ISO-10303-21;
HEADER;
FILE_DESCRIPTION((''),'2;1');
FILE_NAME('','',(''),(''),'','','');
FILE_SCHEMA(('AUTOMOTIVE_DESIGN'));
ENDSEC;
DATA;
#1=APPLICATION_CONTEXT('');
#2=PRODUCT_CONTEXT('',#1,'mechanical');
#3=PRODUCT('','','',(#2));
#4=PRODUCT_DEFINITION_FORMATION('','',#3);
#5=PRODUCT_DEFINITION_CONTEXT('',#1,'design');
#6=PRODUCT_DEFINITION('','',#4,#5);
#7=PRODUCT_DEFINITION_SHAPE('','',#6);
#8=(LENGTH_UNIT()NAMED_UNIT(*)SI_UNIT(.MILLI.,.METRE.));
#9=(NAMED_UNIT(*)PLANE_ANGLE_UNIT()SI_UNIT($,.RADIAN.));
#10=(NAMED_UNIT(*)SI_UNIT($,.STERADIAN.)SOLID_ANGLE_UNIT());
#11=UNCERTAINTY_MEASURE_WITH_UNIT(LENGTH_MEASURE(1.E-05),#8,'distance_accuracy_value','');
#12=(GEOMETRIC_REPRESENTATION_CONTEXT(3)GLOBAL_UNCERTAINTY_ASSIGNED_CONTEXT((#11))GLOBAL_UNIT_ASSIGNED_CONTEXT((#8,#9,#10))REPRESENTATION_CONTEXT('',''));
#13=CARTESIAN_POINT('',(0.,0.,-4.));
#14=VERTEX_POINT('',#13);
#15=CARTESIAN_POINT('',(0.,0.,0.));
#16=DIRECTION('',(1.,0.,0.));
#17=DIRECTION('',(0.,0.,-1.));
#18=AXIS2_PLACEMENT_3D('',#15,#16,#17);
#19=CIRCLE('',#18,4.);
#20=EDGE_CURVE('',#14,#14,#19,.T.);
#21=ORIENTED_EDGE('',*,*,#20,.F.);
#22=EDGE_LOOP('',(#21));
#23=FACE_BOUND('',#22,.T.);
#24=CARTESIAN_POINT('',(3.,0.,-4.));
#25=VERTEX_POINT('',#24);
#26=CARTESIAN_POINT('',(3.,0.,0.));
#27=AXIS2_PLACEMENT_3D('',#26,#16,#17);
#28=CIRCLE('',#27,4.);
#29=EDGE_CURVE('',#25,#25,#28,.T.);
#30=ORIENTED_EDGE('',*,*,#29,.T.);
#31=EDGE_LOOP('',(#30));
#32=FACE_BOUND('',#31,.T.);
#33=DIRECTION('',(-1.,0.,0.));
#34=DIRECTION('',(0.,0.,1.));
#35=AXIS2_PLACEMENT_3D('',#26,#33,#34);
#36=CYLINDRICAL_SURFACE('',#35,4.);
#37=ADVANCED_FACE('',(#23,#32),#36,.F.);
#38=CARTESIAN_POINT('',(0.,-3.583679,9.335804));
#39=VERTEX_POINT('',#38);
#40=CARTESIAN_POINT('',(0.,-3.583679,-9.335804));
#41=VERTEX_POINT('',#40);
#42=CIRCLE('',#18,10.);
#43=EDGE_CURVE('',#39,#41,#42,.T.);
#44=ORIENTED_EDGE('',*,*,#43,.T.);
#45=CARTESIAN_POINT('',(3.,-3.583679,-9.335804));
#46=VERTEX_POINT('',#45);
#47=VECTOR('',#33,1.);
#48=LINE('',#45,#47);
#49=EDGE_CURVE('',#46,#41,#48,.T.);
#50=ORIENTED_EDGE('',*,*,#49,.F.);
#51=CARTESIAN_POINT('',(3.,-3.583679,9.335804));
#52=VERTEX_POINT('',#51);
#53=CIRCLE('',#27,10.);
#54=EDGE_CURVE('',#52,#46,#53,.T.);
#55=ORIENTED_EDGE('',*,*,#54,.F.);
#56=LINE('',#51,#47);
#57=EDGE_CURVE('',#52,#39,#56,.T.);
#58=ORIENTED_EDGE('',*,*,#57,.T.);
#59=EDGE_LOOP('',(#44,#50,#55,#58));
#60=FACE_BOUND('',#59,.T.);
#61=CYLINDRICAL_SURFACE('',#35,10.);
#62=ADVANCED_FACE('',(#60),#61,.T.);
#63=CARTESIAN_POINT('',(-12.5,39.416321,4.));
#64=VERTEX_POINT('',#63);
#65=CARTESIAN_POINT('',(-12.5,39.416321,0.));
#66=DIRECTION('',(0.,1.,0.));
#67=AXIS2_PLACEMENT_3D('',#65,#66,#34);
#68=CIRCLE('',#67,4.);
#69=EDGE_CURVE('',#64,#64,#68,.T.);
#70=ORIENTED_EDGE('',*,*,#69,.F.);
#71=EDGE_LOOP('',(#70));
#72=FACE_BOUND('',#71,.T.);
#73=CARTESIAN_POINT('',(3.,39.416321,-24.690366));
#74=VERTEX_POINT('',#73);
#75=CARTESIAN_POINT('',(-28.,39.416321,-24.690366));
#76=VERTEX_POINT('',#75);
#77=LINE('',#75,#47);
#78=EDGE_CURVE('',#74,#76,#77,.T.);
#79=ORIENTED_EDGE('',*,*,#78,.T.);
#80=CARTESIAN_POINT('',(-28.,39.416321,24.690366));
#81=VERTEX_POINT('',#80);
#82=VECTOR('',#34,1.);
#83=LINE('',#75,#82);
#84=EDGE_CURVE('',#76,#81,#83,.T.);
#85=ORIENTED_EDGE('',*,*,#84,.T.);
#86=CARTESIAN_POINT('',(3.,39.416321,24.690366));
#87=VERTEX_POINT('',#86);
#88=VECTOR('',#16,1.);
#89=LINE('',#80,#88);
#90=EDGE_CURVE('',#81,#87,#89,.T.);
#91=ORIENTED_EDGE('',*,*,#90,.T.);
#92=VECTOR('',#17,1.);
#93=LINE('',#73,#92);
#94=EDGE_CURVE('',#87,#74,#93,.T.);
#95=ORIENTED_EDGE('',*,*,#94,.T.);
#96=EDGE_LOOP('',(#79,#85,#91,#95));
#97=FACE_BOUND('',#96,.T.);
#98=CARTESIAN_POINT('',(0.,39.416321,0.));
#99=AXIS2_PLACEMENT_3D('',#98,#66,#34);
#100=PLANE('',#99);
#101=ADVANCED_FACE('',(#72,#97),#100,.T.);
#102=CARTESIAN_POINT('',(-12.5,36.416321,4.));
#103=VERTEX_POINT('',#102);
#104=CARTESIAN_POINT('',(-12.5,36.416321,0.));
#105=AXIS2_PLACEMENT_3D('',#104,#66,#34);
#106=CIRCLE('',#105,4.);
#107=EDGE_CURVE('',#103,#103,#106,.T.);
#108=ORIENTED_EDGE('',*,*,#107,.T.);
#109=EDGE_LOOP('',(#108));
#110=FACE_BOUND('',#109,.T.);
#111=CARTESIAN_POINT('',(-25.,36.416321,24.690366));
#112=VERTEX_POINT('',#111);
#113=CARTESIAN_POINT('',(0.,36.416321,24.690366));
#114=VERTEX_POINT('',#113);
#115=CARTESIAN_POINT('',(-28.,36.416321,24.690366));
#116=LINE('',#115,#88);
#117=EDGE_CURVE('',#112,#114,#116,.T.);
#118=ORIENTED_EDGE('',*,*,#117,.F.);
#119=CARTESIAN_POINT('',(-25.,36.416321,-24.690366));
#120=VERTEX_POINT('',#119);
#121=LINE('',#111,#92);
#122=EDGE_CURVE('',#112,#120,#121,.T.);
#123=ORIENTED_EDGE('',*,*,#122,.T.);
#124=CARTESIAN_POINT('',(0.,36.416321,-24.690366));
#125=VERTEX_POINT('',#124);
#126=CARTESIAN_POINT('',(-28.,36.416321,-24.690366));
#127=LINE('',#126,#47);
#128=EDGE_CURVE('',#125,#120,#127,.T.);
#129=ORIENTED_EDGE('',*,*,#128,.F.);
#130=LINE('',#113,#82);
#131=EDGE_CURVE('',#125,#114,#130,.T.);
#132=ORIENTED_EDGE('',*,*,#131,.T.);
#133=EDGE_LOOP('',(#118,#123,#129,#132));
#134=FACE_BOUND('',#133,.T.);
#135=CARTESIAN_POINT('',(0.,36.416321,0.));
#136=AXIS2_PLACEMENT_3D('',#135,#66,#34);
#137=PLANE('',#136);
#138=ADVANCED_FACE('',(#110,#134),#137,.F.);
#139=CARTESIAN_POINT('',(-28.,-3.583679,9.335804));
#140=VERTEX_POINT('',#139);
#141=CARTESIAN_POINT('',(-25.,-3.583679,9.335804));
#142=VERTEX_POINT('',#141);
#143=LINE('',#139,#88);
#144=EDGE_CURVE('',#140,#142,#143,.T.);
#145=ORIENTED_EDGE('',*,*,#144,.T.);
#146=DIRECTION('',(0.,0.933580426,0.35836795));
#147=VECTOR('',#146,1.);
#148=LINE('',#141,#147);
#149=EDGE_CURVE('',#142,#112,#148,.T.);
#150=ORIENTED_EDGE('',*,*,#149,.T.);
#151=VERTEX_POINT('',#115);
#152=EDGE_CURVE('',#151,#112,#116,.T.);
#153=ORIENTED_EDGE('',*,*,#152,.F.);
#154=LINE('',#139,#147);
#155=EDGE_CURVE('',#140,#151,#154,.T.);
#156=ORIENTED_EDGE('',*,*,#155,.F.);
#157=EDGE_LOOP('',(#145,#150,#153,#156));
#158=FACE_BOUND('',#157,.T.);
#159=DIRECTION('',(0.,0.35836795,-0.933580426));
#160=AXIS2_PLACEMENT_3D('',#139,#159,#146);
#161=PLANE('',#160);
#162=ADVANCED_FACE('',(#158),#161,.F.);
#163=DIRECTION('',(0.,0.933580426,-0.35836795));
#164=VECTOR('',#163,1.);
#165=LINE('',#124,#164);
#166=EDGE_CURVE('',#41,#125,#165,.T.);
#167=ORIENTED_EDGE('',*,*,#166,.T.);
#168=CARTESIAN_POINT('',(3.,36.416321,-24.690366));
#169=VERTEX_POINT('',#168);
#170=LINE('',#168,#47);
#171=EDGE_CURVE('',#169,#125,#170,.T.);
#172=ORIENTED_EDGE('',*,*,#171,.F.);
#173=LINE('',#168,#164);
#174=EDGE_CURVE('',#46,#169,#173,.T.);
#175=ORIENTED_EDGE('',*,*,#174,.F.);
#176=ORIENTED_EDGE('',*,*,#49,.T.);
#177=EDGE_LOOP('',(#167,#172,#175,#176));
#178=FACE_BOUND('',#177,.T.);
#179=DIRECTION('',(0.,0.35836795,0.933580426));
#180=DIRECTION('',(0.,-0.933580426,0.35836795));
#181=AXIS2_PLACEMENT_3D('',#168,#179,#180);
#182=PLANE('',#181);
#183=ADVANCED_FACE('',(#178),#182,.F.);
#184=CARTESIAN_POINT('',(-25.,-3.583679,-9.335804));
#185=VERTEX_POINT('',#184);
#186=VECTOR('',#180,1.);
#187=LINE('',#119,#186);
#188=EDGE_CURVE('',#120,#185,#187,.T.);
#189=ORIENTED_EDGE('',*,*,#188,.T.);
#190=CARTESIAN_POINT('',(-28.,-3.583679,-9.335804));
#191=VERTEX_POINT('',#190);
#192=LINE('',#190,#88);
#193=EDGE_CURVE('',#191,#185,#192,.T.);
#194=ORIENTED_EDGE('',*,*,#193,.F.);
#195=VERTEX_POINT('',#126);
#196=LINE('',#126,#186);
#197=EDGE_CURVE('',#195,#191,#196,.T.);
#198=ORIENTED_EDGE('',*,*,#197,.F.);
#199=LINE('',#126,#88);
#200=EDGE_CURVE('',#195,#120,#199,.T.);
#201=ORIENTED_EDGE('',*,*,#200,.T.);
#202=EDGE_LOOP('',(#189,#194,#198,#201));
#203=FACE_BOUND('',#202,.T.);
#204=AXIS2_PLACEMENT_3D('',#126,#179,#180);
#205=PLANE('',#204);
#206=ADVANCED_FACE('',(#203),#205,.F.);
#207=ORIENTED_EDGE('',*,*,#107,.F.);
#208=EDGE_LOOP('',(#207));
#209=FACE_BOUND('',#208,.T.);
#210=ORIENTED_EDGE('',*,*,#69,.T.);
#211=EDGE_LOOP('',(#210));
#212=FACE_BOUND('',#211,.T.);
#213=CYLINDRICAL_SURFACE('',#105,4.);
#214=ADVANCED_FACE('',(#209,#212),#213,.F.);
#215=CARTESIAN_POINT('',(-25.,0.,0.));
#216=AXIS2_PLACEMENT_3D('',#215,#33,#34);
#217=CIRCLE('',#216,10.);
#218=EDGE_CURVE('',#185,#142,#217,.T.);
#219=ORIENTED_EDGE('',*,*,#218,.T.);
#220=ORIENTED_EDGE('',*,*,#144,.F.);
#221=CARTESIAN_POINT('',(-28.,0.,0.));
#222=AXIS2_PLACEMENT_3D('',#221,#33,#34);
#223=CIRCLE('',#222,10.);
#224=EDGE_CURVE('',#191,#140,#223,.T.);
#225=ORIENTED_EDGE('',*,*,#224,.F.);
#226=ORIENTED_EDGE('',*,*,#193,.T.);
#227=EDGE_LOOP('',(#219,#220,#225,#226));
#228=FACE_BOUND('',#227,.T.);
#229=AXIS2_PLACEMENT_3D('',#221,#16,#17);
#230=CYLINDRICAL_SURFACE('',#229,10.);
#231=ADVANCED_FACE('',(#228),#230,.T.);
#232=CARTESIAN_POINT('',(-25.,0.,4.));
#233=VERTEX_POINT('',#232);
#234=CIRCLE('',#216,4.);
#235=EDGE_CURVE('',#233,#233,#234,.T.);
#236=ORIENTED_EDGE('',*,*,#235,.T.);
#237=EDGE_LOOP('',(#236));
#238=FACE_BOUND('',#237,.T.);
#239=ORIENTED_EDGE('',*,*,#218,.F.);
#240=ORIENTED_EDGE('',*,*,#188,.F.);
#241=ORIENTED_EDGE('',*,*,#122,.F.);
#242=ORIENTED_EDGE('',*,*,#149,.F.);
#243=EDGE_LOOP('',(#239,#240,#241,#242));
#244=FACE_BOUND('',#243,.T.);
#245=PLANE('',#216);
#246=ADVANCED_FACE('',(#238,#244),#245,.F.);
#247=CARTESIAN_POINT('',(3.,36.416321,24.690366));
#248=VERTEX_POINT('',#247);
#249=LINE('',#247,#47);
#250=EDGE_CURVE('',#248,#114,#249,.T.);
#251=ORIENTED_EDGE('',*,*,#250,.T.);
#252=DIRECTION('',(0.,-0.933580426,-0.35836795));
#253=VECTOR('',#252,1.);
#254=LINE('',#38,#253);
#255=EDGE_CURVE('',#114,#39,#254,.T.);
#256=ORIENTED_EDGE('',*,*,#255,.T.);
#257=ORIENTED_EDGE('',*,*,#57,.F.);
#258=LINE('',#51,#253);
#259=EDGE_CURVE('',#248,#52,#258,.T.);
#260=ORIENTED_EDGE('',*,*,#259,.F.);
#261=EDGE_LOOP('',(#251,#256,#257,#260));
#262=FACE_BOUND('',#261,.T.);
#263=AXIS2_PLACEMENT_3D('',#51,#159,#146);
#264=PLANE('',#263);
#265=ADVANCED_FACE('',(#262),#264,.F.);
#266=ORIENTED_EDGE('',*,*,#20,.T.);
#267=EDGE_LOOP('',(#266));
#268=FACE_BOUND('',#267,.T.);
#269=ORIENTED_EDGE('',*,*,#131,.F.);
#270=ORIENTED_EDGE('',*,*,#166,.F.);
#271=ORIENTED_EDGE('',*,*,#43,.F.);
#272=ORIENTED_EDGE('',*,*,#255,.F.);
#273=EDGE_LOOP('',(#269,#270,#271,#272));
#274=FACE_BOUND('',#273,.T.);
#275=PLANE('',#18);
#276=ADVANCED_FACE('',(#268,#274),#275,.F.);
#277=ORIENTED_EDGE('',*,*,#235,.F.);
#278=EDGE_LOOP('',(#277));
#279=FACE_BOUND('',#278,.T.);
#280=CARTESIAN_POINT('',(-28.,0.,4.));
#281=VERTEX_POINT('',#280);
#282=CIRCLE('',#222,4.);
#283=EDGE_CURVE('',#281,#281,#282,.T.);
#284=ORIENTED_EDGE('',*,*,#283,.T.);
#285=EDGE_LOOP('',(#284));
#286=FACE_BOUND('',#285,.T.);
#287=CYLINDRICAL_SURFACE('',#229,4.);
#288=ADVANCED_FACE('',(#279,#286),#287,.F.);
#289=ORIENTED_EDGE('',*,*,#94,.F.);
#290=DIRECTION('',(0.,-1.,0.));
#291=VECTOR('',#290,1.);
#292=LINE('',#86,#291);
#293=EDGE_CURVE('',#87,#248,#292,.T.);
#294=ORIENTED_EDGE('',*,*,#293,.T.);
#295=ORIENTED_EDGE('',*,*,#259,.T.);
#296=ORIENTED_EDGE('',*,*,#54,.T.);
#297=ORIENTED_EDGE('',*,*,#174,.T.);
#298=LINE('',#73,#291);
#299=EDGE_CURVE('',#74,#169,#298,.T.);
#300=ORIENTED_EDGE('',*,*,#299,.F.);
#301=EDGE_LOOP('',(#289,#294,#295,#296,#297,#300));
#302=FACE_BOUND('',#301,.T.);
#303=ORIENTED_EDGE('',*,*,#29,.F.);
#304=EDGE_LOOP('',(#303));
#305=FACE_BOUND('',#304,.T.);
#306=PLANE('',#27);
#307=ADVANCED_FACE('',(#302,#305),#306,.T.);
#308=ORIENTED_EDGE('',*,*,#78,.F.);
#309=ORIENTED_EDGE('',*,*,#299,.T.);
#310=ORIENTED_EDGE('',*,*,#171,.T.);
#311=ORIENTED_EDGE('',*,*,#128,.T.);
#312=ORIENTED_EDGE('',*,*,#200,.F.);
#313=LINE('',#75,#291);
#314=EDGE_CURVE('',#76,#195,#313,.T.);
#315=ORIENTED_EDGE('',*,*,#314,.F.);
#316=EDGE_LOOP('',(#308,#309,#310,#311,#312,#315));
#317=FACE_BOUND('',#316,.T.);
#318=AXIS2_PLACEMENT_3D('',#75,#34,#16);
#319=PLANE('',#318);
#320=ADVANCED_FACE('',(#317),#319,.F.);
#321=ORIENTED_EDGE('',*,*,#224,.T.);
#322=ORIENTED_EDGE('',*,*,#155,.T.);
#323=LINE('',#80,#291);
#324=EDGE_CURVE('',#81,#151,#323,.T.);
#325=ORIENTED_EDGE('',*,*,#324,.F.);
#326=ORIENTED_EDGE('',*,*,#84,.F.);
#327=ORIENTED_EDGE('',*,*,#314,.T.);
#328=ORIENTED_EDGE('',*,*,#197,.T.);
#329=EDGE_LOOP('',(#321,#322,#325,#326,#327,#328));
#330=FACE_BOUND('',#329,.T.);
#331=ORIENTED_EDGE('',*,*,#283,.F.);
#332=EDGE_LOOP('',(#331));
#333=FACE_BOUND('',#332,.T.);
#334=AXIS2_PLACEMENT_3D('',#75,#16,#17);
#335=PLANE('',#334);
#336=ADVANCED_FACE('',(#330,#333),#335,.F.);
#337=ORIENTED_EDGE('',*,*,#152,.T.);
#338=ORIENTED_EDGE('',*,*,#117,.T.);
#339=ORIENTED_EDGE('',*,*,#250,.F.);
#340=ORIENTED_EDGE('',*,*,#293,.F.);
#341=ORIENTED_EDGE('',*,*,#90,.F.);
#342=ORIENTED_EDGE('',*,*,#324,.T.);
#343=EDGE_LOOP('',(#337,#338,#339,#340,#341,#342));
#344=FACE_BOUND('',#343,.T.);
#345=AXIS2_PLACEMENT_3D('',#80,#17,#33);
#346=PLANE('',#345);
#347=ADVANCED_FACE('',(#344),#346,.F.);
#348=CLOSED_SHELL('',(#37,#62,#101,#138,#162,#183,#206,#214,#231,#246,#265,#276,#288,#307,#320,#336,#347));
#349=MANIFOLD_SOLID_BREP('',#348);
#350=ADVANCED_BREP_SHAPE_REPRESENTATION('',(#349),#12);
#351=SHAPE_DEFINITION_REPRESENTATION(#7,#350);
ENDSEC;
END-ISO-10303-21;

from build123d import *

# Parameters (mm, degrees)
CROQUIS1_R              = 4
SALIENTE_EXTRUIR1_DEPTH = 3
CROQUIS2_R              = 4
SALIENTE_EXTRUIR2_DEPTH = 3
CROQUIS3_W              = 31
CROQUIS3_H              = 49.380731332
SALIENTE_EXTRUIR3_DEPTH = 3
CROQUIS5_R              = 4
CORTAR_EXTRUIR1_DEPTH   = 3


with BuildPart() as part:
    # Croquis1 → Saliente-Extruir1 (new body)
    with BuildSketch(Plane(origin=(0, 0, 0), x_dir=(0, 0, -1), z_dir=(1, 0, 0))):
        with BuildLine():
            Line((-9.335804265, -3.583679495), (-24.690365666, 36.416320505))
            Line((-24.690365666, 36.416320505), (24.690365666, 36.416320505))
            Line((24.690365666, 36.416320505), (9.335804265, -3.583679495))
            ThreePointArc((9.335804265, -3.583679495), (0, -10), (-9.335804265, -3.583679495))
        make_face()
        Circle(CROQUIS1_R, mode=Mode.SUBTRACT)
    extrude(amount=SALIENTE_EXTRUIR1_DEPTH)



with BuildPart() as body_2:
    # Croquis2 → Saliente-Extruir2 (new body)
    with BuildSketch(Plane.ZY.offset(25)):
        with BuildLine():
            Line((9.335804265, -3.583679495), (24.690365666, 36.416320505))
            Line((24.690365666, 36.416320505), (-24.690365666, 36.416320505))
            Line((-24.690365666, 36.416320505), (-9.335804265, -3.583679495))
            ThreePointArc((-9.335804265, -3.583679495), (0, -10), (9.335804265, -3.583679495))
        make_face()
        Circle(CROQUIS2_R, mode=Mode.SUBTRACT)
    extrude(amount=SALIENTE_EXTRUIR2_DEPTH)


with BuildPart() as part_1:
    add(part.part)

    add(body_2.part)  # Saliente-Extruir3 merges body 2
    # Croquis3 → Saliente-Extruir3 (add)
    with BuildSketch(Plane(origin=(0, 36.416320505, 0), x_dir=(1, 0, 0), z_dir=(0, 1, 0))):
        with Locations((-12.5, 0)):
            Rectangle(CROQUIS3_W, CROQUIS3_H)
    extrude(amount=SALIENTE_EXTRUIR3_DEPTH)

    # Croquis5 → Cortar-Extruir1 (cut)
    with BuildSketch(Plane(origin=(0, 39.416320505, 0), x_dir=(1, 0, 0), z_dir=(0, 1, 0))):
        with Locations((-12.5, 0)):
            Circle(CROQUIS5_R)
    extrude(amount=-CORTAR_EXTRUIR1_DEPTH, mode=Mode.SUBTRACT)


solid = part_1.part
